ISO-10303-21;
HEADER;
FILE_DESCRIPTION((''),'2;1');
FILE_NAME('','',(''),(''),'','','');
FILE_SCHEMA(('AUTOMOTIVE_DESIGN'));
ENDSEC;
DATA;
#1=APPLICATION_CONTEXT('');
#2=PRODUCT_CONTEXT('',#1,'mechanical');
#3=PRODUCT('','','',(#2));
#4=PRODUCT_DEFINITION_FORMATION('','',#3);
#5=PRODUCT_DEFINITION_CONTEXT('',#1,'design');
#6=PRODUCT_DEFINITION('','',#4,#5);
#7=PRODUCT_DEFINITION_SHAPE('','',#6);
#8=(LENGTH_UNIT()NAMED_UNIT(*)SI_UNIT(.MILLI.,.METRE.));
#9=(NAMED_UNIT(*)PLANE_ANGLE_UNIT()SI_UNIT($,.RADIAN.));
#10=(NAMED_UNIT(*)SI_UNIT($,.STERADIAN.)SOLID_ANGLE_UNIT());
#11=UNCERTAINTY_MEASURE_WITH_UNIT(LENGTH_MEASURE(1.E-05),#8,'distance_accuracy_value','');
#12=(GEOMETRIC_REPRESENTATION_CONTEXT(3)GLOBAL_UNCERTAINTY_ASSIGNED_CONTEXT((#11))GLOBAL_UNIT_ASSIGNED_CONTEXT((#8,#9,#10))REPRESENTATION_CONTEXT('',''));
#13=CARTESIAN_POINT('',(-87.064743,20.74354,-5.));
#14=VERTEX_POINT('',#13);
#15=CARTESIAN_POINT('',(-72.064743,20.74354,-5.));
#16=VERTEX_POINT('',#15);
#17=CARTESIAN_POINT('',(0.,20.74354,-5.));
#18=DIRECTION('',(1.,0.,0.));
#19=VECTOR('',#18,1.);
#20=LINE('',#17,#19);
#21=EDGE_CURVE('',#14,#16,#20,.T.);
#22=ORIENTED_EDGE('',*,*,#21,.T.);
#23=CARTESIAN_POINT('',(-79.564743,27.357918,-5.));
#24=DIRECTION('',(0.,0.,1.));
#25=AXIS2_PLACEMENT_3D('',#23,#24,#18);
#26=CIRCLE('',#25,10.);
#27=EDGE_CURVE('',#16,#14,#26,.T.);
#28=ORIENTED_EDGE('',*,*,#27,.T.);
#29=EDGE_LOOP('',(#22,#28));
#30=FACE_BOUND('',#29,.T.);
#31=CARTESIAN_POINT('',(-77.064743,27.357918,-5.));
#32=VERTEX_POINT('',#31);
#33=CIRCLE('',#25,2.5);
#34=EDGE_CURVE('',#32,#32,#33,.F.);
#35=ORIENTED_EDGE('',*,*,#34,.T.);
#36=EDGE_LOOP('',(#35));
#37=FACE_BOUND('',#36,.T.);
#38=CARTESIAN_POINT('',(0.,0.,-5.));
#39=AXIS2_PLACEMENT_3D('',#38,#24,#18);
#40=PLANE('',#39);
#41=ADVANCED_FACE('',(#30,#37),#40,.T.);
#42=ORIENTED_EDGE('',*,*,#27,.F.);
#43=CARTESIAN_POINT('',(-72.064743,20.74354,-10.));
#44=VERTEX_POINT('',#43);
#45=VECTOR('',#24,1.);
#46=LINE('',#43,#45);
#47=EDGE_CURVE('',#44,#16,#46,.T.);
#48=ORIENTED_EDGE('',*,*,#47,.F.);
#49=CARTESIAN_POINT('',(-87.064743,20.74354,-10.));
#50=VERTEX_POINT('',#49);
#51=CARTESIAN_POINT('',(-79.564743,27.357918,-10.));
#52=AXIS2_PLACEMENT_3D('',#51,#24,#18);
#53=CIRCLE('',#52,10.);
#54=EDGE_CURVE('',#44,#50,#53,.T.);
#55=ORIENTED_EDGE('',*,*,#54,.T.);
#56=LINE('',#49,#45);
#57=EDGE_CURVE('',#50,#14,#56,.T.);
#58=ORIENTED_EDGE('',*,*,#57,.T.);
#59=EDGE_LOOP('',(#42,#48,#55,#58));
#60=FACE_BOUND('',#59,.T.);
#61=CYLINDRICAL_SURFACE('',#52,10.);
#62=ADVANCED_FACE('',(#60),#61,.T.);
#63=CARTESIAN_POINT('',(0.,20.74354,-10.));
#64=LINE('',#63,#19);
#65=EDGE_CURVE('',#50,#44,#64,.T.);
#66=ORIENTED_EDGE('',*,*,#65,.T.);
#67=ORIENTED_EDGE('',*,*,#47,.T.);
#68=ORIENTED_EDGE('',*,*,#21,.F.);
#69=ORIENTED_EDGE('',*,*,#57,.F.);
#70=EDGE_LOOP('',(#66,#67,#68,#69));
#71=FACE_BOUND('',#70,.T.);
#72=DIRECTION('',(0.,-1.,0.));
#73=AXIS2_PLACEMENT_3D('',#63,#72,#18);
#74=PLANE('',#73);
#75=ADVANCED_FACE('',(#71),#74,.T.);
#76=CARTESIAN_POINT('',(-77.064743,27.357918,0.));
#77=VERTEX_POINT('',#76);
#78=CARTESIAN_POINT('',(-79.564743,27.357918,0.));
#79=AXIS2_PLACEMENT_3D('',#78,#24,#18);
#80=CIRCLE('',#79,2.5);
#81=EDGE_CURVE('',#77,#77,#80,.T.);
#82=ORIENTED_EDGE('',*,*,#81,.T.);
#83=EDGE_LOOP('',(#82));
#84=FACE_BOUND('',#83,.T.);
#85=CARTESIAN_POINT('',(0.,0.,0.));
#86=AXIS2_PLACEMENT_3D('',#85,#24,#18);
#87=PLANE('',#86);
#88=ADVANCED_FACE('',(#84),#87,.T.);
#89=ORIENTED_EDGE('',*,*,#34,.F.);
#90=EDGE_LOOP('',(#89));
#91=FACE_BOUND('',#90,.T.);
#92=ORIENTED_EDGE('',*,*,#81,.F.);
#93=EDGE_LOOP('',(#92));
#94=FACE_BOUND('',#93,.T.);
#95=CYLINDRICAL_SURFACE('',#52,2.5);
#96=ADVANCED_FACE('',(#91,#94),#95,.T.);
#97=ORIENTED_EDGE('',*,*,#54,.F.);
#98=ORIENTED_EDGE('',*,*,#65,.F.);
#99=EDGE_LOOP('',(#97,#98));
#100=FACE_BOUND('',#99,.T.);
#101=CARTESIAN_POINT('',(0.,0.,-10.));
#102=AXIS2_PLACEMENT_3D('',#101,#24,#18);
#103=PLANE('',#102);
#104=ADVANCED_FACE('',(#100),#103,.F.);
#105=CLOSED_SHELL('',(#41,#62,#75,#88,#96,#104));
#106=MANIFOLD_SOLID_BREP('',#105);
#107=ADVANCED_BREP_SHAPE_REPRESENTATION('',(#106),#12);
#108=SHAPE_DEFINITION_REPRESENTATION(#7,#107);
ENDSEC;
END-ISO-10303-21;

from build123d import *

# Parameters (mm, degrees)
SKETCH1_R           = 2.5
BOSS_EXTRUDE1_DEPTH = 10
BOSS_EXTRUDE2_START = -5
SKETCH1_3_R         = 2.5
BOSS_EXTRUDE2_DEPTH = 5


with BuildPart() as part:
    # Sketch1 → Boss-Extrude1 (new body)
    with BuildSketch(Plane.XY):
        with Locations((-79.564743262, 27.357918419)):
            Circle(SKETCH1_R)
    extrude(amount=-BOSS_EXTRUDE1_DEPTH)

    # Sketch1<3> → Boss-Extrude2 (add)
    with BuildSketch(Plane.XY.offset(BOSS_EXTRUDE2_START)):
        with BuildLine():
            Line((-87.064743262, 20.743540142), (-72.064743262, 20.743540142))
            ThreePointArc((-72.064743262, 20.743540142), (-79.564743262, 37.357918419), (-87.064743262, 20.743540142))
        make_face()
        with Locations((-79.564743262, 27.357918419)):
            Circle(SKETCH1_3_R, mode=Mode.SUBTRACT)
    extrude(amount=-BOSS_EXTRUDE2_DEPTH)


solid = part.part
